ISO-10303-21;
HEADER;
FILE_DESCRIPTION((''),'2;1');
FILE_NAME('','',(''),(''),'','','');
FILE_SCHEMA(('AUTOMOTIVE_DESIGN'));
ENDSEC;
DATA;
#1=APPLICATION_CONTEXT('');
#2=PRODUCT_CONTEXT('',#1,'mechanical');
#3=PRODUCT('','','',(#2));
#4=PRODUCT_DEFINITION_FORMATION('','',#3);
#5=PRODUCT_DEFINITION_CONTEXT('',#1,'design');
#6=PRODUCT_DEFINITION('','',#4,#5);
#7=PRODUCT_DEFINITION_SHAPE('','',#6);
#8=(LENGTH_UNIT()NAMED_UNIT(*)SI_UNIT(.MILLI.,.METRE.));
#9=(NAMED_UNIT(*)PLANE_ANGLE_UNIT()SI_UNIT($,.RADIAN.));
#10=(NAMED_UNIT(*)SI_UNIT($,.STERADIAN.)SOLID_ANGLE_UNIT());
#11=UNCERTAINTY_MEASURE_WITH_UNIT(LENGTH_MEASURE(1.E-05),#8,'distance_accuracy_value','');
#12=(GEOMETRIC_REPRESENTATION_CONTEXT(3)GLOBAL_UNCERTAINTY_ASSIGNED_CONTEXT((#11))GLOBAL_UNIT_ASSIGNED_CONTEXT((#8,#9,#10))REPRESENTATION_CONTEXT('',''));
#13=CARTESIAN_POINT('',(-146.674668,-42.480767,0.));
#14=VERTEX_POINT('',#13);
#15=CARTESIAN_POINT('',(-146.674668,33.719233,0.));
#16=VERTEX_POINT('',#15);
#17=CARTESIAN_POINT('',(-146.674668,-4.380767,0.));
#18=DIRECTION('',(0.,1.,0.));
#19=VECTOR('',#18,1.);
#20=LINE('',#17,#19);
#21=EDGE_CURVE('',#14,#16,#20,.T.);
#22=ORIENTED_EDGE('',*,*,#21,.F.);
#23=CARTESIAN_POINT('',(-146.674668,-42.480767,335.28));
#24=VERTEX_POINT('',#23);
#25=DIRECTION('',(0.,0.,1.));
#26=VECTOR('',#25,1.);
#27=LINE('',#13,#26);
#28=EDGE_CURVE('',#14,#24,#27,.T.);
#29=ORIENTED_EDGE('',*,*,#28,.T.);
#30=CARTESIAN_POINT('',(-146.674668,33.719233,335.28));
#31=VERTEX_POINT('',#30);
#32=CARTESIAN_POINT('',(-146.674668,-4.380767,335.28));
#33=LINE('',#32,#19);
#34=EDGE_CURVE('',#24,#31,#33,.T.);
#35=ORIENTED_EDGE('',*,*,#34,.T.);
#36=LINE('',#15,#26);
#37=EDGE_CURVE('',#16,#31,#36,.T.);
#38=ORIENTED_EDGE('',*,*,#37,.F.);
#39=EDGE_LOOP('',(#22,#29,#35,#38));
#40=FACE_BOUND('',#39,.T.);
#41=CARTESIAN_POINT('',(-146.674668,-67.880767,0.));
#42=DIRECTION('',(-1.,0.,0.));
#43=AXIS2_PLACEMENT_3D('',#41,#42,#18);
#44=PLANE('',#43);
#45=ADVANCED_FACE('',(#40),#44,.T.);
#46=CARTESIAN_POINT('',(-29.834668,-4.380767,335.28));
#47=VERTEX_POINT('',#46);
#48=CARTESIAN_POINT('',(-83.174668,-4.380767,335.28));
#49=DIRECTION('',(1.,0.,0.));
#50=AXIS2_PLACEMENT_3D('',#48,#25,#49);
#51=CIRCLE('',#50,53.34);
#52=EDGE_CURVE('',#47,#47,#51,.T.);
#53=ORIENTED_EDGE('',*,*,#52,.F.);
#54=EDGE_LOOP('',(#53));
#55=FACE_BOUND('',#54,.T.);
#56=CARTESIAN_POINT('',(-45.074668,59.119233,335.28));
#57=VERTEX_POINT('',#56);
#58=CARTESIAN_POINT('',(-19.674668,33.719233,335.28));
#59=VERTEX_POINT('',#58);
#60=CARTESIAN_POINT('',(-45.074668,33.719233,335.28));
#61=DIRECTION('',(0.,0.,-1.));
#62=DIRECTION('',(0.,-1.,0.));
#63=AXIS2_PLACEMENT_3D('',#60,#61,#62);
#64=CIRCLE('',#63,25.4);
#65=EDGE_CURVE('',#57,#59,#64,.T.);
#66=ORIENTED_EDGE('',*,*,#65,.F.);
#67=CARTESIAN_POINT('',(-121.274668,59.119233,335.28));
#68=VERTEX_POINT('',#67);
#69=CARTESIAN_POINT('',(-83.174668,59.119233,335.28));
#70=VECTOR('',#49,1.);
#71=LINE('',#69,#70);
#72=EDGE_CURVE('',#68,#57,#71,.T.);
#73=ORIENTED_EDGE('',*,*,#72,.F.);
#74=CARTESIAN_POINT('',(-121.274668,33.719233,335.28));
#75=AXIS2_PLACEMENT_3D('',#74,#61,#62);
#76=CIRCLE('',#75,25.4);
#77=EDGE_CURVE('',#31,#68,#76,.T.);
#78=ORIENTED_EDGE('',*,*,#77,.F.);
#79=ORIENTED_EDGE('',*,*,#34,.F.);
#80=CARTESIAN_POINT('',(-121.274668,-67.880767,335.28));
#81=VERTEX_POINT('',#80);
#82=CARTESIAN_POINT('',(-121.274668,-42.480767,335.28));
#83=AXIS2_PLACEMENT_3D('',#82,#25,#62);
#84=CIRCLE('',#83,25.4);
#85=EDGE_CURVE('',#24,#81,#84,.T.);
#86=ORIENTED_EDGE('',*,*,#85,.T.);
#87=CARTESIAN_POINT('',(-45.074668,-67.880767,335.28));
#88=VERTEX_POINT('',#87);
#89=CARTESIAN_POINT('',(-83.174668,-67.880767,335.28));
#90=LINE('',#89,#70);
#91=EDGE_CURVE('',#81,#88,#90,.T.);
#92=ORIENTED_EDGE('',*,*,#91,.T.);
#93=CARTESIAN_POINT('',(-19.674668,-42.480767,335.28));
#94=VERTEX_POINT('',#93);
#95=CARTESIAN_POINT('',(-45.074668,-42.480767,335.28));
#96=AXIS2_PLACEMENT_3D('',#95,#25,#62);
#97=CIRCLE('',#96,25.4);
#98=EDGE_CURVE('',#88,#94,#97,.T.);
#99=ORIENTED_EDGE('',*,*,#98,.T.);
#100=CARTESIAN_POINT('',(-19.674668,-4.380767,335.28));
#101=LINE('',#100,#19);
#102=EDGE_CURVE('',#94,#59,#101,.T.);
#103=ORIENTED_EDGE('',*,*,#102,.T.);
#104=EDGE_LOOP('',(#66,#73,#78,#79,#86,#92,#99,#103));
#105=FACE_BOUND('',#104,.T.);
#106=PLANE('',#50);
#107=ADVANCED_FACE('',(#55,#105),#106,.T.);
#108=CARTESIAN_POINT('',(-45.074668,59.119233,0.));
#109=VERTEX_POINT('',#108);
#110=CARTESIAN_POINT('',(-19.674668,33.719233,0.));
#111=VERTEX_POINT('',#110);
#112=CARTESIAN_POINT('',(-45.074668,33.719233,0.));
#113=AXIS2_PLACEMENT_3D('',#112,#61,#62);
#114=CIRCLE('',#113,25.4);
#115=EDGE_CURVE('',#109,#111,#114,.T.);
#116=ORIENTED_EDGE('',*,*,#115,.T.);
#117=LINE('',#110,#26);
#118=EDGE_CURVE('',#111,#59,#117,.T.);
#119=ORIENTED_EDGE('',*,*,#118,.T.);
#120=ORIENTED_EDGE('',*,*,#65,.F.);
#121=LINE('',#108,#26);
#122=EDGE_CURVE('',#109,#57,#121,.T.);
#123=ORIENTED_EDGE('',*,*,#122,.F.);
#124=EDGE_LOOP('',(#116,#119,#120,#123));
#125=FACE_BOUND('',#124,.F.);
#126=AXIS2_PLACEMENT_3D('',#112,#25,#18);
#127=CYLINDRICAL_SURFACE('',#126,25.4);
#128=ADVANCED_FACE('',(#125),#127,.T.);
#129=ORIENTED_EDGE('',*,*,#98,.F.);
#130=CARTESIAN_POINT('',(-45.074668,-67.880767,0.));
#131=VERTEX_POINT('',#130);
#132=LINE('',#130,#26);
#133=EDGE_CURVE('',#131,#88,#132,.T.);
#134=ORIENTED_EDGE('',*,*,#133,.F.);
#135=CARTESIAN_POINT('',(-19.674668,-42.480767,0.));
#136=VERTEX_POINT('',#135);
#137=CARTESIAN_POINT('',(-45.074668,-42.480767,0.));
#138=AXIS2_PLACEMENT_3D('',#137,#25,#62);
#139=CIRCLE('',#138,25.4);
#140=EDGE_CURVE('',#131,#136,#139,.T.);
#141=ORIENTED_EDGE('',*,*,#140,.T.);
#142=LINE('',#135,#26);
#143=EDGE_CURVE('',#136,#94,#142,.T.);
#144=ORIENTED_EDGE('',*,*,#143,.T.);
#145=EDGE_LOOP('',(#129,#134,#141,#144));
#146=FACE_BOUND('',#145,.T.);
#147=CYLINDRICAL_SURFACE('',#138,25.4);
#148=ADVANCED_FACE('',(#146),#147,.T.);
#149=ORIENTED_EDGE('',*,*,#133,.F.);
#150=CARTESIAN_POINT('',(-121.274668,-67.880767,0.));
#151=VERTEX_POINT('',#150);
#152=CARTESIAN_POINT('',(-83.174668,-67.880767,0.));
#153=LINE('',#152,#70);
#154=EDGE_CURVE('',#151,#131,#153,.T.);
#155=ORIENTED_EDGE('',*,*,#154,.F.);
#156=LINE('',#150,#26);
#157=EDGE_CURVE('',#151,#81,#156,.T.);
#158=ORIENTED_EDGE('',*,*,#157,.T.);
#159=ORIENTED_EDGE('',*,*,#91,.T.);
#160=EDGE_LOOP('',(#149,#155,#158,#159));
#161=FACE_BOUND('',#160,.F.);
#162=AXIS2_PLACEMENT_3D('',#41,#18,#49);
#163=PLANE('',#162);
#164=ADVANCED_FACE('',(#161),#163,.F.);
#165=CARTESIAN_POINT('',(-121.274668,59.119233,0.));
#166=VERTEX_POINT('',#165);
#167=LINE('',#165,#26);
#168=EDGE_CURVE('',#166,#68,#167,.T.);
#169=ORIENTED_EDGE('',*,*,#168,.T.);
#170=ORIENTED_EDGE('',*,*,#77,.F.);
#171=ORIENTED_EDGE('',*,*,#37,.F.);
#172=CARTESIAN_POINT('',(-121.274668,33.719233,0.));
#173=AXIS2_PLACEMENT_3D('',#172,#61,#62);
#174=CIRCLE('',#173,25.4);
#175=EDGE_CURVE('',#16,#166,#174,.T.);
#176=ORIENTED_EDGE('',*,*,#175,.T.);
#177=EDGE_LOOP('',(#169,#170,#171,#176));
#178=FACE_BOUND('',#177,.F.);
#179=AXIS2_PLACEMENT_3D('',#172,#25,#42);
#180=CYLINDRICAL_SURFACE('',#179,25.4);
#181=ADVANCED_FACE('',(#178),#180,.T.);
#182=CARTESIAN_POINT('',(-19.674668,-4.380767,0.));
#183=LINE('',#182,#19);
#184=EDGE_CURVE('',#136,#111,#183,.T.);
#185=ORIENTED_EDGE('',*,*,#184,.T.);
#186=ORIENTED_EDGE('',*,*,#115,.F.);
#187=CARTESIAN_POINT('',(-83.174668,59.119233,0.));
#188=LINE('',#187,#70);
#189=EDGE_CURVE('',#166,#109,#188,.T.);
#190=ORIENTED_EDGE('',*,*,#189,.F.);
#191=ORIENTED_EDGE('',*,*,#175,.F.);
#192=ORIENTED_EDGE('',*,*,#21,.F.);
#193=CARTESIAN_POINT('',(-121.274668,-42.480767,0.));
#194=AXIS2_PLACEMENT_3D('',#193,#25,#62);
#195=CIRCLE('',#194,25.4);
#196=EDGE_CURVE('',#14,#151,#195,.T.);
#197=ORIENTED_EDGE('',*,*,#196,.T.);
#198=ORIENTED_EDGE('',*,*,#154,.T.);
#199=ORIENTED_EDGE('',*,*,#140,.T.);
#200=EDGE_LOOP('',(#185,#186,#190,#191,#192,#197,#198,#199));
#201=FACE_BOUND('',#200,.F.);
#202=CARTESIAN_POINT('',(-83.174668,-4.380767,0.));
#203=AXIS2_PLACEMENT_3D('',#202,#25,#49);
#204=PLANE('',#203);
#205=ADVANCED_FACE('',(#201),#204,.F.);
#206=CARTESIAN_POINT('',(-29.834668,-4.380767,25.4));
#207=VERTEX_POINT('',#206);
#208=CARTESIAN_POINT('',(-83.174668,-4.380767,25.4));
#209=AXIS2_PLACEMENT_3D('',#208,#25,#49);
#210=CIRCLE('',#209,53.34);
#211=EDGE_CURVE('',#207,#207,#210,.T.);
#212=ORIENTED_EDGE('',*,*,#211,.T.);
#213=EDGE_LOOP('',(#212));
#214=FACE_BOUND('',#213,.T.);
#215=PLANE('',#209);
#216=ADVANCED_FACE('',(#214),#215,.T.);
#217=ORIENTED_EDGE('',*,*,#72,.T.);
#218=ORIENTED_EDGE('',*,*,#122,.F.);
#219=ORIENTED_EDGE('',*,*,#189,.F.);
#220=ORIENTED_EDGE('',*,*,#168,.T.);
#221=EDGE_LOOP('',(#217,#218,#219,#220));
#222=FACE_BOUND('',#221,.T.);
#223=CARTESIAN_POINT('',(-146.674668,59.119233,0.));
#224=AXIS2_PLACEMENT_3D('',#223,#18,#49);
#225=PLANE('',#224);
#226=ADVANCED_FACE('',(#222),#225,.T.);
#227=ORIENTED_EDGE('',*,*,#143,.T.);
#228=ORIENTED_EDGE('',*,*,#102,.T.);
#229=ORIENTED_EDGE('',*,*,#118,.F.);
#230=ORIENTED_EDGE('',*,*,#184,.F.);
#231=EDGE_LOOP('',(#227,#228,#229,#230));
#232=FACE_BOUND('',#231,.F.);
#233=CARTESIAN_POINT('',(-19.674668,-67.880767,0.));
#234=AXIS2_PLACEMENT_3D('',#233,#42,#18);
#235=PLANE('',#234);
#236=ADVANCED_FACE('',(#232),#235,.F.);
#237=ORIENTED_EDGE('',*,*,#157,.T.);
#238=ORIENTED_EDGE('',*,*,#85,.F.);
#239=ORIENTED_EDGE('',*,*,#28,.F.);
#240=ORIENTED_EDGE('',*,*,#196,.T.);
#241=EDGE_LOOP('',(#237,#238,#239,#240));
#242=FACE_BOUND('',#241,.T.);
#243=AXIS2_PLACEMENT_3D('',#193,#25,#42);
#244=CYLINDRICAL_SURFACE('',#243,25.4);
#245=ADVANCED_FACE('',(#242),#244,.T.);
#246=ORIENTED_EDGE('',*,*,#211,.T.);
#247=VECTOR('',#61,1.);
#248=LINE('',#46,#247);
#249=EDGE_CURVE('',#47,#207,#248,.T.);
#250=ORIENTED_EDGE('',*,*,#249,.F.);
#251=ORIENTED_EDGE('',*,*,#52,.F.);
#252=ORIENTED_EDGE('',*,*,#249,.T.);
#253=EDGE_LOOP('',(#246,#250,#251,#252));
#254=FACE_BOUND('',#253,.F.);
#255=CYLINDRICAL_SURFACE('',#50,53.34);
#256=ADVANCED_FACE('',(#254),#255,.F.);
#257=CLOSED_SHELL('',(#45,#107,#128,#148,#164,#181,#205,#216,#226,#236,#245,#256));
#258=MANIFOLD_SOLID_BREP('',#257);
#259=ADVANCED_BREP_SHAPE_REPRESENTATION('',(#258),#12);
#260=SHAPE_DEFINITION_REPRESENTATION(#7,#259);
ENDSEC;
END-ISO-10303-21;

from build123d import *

# Parameters (mm, degrees)
F0_W     = 127
F0_H     = 127
F1_DEPTH = 335.28
F2_R     = 53.34
F3_DEPTH = 309.88
F4_R     = 25.4


with BuildPart() as f1:
    # F0 (on Top) → F1 (new body)
    with BuildSketch(Plane.XY):
        with Locations((-83.174668, -4.380767)):
            Rectangle(F0_W, F0_H)
    extrude(amount=F1_DEPTH)

    # F2 (on face) → F3 (cut)
    with BuildSketch(Plane.XY.offset(335.28)):
        with Locations((-83.174668, -4.380767)):
            Circle(F2_R)
    extrude(amount=-F3_DEPTH, mode=Mode.SUBTRACT)

    # F4
    f4_edges = [f1.edges().sort_by_distance(p)[0] for p in [
        (-19.674668, 59.119233, 167.64),
        (-146.674668, 59.119233, 167.64),
        (-146.674668, -67.880767, 167.64),
        (-19.674668, -67.880767, 167.64),
    ]]
    fillet(f4_edges, radius=F4_R)


solid = f1.part
